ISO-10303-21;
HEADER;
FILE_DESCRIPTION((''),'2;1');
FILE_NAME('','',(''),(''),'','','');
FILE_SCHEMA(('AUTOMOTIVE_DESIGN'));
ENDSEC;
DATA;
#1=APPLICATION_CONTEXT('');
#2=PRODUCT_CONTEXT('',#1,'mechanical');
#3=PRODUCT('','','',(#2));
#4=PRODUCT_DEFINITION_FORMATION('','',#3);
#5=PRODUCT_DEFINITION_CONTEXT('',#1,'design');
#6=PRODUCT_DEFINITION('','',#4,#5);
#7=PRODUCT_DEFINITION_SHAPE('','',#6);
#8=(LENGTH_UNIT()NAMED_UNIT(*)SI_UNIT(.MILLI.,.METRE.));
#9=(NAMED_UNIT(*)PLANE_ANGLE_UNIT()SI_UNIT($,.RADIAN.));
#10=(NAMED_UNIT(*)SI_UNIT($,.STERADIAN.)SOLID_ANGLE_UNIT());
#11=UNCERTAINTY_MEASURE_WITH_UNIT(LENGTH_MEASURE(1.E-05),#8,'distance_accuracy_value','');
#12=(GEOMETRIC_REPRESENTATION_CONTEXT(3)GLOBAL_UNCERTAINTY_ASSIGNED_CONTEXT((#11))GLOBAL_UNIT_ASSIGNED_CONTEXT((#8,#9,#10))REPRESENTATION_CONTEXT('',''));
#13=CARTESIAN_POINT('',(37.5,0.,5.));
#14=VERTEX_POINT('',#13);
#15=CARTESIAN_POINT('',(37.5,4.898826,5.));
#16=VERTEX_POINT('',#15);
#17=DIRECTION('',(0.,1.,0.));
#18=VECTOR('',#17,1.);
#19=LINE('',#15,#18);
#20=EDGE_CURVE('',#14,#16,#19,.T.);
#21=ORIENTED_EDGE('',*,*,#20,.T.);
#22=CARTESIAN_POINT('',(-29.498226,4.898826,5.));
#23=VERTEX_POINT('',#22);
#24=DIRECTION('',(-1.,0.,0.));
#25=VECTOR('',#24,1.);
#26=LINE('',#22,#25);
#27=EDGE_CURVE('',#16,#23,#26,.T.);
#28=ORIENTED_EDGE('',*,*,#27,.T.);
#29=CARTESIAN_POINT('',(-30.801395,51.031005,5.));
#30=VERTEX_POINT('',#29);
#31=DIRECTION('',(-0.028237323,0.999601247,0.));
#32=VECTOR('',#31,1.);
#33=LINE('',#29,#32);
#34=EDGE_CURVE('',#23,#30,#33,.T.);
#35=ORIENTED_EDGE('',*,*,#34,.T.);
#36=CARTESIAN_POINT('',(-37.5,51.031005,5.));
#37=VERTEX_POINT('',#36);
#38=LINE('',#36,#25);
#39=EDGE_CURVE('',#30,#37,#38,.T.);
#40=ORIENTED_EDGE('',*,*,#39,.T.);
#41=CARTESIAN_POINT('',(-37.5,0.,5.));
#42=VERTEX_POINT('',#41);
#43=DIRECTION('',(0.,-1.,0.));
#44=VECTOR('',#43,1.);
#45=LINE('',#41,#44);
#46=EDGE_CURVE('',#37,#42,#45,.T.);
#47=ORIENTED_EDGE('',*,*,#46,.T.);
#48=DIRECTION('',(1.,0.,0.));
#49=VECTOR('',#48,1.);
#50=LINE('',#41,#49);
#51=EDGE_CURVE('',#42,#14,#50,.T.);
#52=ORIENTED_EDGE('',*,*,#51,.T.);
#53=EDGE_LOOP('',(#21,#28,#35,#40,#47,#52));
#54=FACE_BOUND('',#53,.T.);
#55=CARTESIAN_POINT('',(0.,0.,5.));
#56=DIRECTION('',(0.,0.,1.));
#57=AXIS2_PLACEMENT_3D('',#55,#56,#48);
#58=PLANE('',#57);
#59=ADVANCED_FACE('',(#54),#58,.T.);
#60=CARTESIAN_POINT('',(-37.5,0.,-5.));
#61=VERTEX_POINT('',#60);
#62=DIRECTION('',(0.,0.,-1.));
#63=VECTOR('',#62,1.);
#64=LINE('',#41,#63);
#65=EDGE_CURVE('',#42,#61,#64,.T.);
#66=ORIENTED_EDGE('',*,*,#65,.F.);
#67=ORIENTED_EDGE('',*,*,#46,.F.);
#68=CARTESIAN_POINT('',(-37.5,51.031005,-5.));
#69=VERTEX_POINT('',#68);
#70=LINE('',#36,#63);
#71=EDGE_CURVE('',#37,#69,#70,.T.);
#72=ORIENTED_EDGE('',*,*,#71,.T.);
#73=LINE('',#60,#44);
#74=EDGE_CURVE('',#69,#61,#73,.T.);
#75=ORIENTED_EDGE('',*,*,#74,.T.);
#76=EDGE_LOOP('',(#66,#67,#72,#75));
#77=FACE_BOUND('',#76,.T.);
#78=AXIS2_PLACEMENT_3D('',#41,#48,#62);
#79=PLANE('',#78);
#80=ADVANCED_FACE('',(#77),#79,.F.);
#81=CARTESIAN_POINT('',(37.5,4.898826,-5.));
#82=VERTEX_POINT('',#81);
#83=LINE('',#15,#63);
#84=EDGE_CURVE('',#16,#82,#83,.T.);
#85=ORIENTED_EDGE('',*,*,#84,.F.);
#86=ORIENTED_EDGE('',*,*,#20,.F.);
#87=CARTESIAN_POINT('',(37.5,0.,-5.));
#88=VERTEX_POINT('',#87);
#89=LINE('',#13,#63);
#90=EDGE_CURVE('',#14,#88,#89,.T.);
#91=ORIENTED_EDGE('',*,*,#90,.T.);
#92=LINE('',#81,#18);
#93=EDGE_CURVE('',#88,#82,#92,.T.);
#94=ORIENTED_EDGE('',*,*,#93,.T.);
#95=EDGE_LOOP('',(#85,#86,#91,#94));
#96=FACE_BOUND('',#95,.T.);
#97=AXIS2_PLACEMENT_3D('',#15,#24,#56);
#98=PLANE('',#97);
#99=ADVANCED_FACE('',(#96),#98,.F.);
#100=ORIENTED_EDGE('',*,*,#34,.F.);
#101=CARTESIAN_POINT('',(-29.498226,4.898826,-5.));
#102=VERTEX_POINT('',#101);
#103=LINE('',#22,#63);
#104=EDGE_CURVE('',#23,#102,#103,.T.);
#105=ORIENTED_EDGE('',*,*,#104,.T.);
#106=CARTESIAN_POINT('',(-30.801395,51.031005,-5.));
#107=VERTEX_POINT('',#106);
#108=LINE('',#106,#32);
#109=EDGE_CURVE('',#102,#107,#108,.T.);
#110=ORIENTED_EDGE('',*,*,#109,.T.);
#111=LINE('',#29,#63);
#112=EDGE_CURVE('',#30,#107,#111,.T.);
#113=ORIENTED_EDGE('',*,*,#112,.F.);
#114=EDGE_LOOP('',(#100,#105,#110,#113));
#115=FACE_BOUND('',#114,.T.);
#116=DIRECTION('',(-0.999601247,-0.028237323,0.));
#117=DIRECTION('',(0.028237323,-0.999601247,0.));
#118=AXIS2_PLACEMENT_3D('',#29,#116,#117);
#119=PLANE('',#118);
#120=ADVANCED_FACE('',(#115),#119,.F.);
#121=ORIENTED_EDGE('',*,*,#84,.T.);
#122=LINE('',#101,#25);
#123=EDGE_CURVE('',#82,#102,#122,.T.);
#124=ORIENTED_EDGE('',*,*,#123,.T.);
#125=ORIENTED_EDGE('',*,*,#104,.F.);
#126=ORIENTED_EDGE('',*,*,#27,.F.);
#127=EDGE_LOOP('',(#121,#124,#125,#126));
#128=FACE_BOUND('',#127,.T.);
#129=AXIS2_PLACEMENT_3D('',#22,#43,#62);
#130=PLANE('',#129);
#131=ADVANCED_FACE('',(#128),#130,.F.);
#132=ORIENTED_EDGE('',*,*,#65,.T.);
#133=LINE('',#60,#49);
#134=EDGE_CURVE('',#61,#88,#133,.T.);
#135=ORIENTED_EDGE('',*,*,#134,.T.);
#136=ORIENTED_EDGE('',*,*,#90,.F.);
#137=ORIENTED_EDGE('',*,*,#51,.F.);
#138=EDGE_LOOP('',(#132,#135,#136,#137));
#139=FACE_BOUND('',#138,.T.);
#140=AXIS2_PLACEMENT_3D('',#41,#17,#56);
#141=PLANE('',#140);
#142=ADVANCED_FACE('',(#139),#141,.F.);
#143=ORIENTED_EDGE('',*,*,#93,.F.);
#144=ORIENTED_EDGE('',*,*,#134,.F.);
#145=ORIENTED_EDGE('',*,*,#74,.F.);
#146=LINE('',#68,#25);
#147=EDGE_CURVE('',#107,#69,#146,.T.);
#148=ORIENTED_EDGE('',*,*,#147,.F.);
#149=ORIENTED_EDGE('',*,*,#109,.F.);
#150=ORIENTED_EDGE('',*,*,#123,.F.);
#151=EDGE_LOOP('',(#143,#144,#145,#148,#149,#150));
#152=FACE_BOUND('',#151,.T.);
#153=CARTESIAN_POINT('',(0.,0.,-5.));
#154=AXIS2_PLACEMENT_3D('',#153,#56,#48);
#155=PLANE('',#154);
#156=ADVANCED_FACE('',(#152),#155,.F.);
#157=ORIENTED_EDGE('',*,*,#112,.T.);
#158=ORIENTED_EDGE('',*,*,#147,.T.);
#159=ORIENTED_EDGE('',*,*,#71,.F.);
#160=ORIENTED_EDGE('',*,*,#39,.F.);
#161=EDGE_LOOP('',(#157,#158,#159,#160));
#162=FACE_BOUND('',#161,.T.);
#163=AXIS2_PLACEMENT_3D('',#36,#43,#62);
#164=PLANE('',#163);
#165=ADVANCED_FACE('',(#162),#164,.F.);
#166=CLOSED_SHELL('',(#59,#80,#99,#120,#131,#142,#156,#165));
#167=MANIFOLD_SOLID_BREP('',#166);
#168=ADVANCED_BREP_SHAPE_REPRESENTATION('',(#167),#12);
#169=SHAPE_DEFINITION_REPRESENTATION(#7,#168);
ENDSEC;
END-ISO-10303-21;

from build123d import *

# Parameters (mm, degrees)
EXTRUDE_1_DEPTH = 5


with BuildPart() as part:
    # 草图1 → 凸台-拉伸1 (new, symmetric)
    with BuildSketch(Plane.XY):
        Polygon((-37.5, 0), (37.5, 0), (37.5, 4.898825927), (-29.498225953, 4.898825927), (-30.801394861, 51.031005283), (-37.5, 51.031005283), align=None)
    extrude(amount=EXTRUDE_1_DEPTH, both=True)


solid = part.part
